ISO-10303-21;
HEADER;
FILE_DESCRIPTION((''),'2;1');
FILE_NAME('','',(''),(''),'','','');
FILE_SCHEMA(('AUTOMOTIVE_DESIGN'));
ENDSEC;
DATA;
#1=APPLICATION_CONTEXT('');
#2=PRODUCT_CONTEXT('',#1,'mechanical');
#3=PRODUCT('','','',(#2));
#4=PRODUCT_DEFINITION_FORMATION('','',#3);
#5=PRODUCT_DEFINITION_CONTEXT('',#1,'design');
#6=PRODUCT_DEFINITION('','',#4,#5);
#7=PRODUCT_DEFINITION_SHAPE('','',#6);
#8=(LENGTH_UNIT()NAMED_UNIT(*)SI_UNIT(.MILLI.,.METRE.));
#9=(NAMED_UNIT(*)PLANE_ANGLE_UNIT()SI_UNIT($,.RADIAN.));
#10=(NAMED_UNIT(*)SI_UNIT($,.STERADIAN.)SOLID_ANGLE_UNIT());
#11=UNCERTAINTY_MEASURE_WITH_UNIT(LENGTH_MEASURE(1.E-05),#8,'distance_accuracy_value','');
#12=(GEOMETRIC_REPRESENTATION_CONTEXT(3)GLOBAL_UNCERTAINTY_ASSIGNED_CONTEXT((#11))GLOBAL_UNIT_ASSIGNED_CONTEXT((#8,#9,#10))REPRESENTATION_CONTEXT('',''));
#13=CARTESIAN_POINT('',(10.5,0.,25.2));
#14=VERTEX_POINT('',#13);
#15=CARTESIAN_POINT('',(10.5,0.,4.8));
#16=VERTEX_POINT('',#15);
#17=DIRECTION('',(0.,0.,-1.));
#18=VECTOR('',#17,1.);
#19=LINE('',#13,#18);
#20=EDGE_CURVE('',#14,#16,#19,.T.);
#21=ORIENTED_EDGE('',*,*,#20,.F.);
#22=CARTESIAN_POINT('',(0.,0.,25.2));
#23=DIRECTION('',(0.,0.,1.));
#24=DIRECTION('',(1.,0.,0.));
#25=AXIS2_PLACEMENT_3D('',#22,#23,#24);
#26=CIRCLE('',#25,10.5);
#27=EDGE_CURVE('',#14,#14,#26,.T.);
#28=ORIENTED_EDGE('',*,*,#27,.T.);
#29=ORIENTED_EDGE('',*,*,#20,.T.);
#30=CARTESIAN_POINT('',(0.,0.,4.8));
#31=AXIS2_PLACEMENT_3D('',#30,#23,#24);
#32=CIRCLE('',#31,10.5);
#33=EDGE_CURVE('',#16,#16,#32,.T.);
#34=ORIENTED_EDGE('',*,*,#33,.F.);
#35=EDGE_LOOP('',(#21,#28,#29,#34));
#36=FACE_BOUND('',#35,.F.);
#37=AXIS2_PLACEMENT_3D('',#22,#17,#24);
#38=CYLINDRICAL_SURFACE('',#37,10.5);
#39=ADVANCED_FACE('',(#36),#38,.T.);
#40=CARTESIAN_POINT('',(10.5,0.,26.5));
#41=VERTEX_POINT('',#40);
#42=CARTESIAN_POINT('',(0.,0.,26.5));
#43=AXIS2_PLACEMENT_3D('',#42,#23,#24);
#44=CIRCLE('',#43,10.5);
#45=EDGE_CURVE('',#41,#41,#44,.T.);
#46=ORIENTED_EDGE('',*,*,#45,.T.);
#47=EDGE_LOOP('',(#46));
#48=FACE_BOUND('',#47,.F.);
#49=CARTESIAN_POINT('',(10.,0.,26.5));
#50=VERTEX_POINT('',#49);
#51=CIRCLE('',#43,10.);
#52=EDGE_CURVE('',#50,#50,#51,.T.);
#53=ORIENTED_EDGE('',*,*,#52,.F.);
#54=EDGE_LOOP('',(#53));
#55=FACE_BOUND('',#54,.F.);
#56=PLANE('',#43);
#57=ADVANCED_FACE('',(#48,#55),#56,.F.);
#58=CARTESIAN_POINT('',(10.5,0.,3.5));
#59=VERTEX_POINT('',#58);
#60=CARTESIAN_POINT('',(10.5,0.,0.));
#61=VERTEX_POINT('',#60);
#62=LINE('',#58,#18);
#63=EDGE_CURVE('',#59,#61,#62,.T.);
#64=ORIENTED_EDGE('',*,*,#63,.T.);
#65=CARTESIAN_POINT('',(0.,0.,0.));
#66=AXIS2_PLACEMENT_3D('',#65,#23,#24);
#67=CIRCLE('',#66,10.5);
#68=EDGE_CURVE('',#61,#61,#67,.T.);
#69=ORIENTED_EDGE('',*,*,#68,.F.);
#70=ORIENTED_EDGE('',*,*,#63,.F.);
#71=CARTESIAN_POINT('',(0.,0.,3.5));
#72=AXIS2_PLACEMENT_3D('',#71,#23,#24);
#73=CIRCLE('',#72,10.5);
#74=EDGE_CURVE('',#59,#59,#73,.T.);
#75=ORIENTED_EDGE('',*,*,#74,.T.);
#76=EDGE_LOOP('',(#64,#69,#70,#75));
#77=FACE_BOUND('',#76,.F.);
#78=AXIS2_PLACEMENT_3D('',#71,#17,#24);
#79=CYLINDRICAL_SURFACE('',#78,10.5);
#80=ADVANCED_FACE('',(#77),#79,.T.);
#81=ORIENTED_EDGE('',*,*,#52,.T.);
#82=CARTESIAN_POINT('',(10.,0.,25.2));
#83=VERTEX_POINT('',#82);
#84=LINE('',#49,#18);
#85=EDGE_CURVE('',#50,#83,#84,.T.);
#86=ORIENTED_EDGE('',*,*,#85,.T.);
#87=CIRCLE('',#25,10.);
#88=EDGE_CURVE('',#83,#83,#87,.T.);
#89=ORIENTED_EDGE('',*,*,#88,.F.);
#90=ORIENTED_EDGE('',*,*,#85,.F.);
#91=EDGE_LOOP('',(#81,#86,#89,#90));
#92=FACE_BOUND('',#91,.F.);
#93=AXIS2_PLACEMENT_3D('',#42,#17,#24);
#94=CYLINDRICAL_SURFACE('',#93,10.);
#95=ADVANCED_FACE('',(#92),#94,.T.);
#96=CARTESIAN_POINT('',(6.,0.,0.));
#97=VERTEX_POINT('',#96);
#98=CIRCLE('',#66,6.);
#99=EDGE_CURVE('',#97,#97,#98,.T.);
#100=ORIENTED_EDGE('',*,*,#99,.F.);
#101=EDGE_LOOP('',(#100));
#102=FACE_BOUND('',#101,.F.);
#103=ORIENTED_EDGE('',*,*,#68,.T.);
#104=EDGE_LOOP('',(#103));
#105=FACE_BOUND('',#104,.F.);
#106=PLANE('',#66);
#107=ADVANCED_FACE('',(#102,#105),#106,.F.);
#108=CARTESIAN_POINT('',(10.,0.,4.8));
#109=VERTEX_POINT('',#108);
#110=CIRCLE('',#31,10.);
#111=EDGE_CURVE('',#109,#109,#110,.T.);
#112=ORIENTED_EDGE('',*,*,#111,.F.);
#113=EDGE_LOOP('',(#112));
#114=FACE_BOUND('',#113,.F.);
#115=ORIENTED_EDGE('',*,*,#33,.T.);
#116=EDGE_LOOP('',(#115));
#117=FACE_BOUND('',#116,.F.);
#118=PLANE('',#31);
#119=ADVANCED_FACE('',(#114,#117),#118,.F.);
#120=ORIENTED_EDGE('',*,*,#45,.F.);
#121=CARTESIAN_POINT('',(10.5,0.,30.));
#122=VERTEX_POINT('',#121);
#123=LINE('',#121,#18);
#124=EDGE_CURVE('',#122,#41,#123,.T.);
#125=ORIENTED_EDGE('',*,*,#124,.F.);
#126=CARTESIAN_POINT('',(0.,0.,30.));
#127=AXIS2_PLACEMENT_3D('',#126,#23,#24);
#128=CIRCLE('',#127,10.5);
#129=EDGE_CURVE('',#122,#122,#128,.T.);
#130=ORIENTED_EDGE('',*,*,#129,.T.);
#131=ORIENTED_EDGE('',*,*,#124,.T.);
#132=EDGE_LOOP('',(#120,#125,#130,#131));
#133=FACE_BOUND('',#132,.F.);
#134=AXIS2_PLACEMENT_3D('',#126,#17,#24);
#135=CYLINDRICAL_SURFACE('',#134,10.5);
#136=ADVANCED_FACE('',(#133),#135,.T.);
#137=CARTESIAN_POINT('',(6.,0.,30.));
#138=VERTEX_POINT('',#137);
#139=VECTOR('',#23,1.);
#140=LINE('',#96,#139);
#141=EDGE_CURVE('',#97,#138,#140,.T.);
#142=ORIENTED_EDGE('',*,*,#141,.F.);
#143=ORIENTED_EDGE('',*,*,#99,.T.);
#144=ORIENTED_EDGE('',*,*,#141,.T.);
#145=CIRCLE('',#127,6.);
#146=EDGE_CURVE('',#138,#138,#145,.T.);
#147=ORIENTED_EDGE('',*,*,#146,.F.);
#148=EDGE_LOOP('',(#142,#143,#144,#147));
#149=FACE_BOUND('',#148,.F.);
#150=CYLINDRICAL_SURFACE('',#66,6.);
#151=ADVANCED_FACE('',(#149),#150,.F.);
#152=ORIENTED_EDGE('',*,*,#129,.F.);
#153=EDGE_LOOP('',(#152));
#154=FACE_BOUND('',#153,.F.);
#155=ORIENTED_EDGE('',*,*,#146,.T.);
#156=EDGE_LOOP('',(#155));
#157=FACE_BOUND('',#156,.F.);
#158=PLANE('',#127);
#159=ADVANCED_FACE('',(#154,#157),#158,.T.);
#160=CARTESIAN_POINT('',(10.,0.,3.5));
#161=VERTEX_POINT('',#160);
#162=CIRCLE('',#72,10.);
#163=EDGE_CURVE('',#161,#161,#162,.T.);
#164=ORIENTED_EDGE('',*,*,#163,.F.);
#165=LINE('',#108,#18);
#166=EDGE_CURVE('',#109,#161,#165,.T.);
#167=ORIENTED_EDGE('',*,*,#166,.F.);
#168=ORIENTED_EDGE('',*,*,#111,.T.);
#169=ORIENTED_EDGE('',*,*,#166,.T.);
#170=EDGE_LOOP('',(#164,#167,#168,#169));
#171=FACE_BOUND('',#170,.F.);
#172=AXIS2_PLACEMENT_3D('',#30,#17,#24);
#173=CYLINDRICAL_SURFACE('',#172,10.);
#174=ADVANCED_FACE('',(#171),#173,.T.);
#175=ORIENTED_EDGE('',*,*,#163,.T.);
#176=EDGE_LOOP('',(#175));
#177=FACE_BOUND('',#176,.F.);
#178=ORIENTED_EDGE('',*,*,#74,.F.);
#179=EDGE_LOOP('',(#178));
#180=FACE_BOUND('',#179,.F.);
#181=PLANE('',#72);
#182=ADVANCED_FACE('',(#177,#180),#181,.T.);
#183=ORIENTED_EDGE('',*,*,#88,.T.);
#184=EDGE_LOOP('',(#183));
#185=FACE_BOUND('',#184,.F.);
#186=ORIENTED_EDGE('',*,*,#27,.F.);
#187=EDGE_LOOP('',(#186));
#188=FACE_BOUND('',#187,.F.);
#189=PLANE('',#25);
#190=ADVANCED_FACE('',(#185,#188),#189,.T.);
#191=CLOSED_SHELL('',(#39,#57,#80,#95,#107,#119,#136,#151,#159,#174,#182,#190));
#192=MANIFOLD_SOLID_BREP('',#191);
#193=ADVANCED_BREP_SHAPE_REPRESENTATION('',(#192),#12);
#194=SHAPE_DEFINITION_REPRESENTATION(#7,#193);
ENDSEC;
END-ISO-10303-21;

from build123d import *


with BuildPart() as part:
    # Sketch1 → Revolve1 (revolve)
    with BuildSketch(Plane(origin=(0, 0, 0), x_dir=(1, 0, 0), z_dir=(0, 1, 0))):
        Polygon((10.5, 0), (6, 0), (6, -30), (10.5, -30), (10.5, -26.5), (10, -26.5), (10, -25.2), (10.5, -25.2), (10.5, -4.8), (10, -4.8), (10, -3.5), (10.5, -3.5), align=None)
    revolve(axis=Axis((0, 0, 0), (0, 0, 1)))


solid = part.part
